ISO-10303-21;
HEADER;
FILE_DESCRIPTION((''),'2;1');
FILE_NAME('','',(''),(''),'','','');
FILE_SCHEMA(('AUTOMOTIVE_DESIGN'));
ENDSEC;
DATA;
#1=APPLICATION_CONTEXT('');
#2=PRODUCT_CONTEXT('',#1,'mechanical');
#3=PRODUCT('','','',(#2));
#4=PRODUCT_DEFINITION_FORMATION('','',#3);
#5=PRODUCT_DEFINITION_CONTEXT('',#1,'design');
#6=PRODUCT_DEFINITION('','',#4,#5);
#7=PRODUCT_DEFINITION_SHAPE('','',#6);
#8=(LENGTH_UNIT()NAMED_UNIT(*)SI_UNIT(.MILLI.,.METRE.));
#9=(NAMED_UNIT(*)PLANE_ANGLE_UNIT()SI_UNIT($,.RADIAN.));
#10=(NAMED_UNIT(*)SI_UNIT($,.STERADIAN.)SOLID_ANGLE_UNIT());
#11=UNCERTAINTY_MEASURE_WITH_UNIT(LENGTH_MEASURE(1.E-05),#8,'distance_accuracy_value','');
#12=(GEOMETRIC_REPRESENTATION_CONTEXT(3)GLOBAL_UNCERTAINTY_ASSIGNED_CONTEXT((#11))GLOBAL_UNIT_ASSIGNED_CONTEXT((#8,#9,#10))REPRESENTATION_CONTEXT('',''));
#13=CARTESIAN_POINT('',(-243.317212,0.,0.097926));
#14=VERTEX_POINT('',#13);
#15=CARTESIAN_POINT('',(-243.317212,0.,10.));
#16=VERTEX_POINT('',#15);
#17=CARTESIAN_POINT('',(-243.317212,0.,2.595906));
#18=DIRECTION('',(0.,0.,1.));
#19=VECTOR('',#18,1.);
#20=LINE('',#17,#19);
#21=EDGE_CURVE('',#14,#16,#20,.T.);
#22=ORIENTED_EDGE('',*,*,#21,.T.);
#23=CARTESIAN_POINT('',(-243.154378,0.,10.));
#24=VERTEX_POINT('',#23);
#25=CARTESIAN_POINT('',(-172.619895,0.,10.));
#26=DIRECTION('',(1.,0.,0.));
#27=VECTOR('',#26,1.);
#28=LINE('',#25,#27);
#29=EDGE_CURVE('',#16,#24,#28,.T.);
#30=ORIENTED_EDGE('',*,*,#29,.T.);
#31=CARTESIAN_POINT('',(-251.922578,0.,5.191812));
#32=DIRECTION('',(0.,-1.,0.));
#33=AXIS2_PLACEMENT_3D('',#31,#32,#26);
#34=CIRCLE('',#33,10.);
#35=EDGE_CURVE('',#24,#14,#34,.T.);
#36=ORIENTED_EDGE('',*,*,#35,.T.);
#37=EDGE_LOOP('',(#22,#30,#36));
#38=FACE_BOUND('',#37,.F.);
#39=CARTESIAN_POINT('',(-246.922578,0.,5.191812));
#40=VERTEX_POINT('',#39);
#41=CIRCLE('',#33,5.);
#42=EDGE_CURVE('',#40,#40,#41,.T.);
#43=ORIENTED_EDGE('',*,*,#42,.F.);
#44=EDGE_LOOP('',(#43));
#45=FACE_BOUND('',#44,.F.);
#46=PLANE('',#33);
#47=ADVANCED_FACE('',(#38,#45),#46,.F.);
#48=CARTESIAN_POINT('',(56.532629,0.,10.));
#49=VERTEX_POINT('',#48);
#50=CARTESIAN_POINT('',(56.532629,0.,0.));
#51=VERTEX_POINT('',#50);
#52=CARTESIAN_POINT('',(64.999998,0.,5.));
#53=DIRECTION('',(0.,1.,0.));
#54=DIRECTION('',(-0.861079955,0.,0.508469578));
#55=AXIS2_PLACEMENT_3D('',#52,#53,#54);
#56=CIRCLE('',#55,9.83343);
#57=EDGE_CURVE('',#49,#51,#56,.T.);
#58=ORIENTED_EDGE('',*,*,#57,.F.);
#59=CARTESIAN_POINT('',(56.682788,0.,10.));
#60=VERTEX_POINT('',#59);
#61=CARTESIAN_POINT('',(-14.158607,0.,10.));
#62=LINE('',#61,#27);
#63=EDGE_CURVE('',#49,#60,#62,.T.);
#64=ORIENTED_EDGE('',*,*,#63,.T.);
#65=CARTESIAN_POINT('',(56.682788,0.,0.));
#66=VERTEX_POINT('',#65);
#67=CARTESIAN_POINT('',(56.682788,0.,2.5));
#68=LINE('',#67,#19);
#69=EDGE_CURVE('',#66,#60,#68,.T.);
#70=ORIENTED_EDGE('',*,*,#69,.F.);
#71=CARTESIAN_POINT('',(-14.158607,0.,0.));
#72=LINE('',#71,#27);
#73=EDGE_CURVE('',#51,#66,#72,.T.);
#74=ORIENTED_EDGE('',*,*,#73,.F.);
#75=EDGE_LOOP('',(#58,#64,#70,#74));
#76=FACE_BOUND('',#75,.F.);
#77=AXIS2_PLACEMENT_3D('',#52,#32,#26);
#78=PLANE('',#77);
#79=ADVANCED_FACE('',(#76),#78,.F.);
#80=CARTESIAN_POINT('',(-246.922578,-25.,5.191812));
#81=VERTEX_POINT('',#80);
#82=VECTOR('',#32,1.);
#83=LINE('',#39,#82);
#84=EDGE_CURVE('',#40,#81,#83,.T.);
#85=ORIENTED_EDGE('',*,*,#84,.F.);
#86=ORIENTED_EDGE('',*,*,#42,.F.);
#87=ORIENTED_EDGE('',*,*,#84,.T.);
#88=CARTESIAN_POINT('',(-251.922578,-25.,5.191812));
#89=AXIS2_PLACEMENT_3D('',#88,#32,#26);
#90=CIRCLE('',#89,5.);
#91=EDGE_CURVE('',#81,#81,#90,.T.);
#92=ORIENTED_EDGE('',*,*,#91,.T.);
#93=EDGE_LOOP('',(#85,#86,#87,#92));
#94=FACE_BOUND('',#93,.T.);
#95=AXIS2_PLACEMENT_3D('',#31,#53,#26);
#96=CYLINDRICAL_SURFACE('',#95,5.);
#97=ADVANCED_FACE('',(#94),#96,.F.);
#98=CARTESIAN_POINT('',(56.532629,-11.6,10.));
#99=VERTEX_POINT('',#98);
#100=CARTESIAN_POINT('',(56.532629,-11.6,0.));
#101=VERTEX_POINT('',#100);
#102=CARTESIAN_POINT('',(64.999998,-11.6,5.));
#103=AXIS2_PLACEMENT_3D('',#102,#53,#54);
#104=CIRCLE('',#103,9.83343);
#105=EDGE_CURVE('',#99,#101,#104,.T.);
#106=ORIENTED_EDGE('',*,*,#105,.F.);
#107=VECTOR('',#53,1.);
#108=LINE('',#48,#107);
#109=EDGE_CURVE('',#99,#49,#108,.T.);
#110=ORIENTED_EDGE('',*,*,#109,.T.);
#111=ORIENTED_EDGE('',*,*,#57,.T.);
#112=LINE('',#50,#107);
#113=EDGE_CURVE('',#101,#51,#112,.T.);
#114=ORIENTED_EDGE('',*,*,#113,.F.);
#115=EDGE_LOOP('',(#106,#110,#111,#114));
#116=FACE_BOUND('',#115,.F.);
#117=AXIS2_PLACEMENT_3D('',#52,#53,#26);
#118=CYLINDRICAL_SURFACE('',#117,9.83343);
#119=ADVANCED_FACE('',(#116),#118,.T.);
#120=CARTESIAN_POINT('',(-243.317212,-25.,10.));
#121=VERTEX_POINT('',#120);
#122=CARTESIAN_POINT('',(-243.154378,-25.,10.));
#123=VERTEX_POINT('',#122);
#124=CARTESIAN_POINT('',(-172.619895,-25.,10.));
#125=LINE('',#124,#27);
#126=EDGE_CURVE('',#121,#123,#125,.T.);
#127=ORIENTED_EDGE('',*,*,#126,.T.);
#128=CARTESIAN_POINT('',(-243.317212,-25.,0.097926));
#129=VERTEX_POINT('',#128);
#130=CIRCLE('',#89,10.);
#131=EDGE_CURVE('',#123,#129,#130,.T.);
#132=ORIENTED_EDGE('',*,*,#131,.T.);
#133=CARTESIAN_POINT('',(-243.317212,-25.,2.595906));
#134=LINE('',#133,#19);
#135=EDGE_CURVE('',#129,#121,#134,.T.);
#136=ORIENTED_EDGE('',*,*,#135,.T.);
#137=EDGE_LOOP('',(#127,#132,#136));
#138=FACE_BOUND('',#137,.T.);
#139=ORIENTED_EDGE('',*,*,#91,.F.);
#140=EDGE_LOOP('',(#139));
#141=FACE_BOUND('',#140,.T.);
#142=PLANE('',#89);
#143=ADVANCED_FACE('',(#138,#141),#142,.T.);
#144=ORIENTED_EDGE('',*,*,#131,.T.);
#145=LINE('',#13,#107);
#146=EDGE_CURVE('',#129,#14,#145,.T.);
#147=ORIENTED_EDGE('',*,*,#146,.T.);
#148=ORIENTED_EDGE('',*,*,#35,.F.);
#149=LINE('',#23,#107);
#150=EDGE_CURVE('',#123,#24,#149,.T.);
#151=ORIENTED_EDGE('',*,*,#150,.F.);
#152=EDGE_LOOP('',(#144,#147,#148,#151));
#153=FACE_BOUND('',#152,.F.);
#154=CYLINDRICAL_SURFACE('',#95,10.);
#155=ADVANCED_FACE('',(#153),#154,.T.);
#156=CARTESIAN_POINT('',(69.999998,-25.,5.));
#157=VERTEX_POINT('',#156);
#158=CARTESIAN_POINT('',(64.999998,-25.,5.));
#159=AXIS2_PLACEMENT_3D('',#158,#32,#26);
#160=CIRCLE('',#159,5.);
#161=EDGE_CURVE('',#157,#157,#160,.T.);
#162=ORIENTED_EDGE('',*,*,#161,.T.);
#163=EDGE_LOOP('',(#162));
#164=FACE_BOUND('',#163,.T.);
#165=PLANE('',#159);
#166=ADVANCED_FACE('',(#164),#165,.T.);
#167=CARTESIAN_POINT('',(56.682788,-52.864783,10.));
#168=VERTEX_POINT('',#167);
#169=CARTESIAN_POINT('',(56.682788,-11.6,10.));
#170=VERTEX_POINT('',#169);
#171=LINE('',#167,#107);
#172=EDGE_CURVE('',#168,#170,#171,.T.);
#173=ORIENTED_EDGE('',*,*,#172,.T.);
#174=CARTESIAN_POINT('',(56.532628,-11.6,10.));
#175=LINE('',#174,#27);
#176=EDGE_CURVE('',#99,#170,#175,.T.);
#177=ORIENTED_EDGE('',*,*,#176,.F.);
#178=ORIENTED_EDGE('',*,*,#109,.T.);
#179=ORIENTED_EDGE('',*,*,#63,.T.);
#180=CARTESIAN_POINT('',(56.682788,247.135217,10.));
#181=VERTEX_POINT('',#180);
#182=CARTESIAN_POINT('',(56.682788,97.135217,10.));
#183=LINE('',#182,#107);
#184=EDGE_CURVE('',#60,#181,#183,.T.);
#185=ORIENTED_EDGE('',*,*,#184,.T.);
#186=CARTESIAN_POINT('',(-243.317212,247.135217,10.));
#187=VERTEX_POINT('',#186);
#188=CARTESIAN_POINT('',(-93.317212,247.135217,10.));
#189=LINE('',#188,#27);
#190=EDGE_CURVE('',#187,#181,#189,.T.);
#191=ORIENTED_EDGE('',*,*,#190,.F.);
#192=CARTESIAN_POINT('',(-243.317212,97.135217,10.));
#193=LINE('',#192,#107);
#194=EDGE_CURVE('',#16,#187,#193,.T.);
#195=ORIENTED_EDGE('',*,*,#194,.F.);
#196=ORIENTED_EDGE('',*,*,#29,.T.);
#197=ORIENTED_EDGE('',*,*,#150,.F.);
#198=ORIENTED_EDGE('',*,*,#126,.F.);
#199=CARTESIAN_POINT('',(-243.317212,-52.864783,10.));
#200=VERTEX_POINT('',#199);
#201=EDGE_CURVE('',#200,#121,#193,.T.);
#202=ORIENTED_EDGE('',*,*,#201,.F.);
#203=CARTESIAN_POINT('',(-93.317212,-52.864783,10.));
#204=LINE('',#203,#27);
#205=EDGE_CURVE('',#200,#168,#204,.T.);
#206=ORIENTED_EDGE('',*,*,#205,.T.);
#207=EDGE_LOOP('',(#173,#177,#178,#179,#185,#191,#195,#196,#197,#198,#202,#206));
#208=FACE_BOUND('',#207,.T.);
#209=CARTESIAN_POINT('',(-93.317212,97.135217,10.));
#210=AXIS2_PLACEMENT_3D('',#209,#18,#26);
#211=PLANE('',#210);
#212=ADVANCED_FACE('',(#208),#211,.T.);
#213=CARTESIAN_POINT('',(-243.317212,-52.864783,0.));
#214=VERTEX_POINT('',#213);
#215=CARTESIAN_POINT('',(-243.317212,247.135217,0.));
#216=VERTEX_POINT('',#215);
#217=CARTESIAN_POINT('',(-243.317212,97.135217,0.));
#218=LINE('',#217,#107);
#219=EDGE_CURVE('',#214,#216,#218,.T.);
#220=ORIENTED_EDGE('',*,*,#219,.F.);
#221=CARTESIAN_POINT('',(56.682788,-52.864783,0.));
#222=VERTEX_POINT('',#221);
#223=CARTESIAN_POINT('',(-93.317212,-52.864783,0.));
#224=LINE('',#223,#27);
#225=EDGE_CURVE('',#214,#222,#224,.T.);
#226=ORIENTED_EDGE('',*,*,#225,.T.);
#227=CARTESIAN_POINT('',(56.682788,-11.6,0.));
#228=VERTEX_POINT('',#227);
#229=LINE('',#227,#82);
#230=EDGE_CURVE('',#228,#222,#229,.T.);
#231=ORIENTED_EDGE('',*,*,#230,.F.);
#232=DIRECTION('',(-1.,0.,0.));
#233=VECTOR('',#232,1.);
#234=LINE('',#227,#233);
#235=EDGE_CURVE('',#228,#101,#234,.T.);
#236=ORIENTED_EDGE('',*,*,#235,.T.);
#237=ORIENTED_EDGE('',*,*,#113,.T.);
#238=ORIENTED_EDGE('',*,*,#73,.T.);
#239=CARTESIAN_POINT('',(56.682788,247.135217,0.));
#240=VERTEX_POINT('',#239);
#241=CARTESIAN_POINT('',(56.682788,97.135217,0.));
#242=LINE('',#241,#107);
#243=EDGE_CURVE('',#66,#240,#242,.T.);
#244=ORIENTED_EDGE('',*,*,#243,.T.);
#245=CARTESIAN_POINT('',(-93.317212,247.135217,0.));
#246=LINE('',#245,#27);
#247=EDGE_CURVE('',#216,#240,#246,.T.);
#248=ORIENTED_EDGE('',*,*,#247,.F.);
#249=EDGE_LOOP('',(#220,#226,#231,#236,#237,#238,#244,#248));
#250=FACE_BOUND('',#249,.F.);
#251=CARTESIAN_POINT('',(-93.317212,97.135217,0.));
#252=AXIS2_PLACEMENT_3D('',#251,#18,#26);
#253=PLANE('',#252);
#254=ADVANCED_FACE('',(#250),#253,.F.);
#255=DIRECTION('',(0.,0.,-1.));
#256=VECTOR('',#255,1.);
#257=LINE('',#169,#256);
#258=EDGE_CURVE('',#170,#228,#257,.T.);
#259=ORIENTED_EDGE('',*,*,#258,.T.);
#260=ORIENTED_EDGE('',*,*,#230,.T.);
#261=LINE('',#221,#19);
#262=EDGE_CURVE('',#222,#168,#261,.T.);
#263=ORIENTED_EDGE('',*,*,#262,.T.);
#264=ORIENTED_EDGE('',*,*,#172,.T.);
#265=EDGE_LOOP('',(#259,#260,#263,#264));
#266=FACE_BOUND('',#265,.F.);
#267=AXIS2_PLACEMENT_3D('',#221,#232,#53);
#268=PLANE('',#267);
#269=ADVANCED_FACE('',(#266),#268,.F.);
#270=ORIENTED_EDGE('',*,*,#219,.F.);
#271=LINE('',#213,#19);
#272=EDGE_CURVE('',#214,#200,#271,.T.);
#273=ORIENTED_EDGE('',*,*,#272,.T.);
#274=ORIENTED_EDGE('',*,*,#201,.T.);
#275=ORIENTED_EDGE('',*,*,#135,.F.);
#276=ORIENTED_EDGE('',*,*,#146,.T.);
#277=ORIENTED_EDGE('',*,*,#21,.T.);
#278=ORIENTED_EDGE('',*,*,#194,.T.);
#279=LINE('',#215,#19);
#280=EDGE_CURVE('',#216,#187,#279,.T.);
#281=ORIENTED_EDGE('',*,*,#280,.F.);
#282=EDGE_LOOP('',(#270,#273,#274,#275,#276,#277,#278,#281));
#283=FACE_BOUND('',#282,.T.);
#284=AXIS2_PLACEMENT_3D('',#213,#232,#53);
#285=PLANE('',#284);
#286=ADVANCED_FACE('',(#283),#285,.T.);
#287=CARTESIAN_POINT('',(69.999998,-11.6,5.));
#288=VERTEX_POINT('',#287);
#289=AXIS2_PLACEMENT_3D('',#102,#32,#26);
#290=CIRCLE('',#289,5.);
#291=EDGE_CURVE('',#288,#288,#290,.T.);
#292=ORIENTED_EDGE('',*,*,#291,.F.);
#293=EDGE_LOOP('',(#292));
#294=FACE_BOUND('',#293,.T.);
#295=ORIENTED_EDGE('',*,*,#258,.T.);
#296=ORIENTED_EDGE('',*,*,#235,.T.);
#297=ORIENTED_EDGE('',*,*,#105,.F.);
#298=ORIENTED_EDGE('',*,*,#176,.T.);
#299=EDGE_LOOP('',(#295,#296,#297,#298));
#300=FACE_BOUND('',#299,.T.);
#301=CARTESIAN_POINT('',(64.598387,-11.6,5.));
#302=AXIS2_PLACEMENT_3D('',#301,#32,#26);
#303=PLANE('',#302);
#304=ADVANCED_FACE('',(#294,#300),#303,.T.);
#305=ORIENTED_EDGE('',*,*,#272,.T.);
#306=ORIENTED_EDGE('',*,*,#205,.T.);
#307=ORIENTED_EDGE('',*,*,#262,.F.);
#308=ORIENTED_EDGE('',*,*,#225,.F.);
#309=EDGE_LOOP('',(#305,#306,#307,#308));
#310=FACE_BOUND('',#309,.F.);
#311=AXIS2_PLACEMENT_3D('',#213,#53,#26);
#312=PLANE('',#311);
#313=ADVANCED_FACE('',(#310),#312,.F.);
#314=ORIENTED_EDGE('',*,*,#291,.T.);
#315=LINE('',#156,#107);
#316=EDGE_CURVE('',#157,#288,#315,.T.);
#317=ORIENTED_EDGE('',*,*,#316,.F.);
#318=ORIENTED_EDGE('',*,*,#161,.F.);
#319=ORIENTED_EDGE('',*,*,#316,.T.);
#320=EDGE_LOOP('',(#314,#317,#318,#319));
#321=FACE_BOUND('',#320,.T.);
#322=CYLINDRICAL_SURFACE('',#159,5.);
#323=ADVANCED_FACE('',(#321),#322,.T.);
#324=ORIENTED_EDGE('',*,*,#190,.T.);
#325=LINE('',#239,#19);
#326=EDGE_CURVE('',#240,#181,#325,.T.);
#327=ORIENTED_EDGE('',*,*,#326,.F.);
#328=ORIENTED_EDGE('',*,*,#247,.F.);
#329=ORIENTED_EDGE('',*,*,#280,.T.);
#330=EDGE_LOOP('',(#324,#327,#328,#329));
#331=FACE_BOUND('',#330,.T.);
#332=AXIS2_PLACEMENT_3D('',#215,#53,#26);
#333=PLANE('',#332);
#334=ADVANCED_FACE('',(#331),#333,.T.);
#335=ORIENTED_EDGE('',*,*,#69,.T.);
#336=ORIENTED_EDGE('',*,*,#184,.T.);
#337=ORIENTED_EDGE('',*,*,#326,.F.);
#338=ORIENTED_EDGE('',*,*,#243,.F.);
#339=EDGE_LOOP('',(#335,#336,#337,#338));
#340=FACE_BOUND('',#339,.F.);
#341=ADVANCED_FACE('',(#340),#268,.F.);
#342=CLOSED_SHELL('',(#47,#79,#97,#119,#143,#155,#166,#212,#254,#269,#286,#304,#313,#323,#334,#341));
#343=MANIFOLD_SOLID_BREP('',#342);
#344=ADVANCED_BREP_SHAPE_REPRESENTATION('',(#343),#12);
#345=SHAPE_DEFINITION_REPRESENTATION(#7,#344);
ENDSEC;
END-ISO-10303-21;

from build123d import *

# Parameters (mm, degrees)
F0_W     = 300
F0_H     = 300
F1_DEPTH = 10
F2_R     = 10
F2_R_2   = 5
F2_R_3   = 9.83343
F3_DEPTH = 25
F4_R     = 5
F5_DEPTH = 13.4


with BuildPart() as f1:
    # F0 (on Top) → F1 (new body)
    with BuildSketch(Plane.XY):
        with Locations((-93.317212, 97.135217)):
            Rectangle(F0_W, F0_H)
    extrude(amount=F1_DEPTH)

    # F2 (on Front) → F3 (join)
    with BuildSketch(Plane.XZ):
        with Locations((-251.922578, 5.191812)):
            Circle(F2_R)
        with Locations((-251.922578, 5.191812)):
            Circle(F2_R_2, mode=Mode.SUBTRACT)
        with Locations((64.999998, 5)):
            Circle(F2_R_3)
    extrude(amount=F3_DEPTH)

    # F4 (on face) → F5 (cut)
    with BuildSketch(Plane.XZ.offset(25)):
        with BuildLine():
            Line((56.682788, 10), (56.682788, 0))
            Line((56.682788, 0), (56.532628, 0))
            ThreePointArc((56.532628, 0), (74.833428, 5.000001), (56.532628, 10))
            Line((56.532628, 10), (56.682788, 10))
        make_face()
        with Locations((64.999998, 5)):
            Circle(F4_R, mode=Mode.SUBTRACT)
    extrude(amount=-F5_DEPTH, mode=Mode.SUBTRACT)


solid = f1.part
